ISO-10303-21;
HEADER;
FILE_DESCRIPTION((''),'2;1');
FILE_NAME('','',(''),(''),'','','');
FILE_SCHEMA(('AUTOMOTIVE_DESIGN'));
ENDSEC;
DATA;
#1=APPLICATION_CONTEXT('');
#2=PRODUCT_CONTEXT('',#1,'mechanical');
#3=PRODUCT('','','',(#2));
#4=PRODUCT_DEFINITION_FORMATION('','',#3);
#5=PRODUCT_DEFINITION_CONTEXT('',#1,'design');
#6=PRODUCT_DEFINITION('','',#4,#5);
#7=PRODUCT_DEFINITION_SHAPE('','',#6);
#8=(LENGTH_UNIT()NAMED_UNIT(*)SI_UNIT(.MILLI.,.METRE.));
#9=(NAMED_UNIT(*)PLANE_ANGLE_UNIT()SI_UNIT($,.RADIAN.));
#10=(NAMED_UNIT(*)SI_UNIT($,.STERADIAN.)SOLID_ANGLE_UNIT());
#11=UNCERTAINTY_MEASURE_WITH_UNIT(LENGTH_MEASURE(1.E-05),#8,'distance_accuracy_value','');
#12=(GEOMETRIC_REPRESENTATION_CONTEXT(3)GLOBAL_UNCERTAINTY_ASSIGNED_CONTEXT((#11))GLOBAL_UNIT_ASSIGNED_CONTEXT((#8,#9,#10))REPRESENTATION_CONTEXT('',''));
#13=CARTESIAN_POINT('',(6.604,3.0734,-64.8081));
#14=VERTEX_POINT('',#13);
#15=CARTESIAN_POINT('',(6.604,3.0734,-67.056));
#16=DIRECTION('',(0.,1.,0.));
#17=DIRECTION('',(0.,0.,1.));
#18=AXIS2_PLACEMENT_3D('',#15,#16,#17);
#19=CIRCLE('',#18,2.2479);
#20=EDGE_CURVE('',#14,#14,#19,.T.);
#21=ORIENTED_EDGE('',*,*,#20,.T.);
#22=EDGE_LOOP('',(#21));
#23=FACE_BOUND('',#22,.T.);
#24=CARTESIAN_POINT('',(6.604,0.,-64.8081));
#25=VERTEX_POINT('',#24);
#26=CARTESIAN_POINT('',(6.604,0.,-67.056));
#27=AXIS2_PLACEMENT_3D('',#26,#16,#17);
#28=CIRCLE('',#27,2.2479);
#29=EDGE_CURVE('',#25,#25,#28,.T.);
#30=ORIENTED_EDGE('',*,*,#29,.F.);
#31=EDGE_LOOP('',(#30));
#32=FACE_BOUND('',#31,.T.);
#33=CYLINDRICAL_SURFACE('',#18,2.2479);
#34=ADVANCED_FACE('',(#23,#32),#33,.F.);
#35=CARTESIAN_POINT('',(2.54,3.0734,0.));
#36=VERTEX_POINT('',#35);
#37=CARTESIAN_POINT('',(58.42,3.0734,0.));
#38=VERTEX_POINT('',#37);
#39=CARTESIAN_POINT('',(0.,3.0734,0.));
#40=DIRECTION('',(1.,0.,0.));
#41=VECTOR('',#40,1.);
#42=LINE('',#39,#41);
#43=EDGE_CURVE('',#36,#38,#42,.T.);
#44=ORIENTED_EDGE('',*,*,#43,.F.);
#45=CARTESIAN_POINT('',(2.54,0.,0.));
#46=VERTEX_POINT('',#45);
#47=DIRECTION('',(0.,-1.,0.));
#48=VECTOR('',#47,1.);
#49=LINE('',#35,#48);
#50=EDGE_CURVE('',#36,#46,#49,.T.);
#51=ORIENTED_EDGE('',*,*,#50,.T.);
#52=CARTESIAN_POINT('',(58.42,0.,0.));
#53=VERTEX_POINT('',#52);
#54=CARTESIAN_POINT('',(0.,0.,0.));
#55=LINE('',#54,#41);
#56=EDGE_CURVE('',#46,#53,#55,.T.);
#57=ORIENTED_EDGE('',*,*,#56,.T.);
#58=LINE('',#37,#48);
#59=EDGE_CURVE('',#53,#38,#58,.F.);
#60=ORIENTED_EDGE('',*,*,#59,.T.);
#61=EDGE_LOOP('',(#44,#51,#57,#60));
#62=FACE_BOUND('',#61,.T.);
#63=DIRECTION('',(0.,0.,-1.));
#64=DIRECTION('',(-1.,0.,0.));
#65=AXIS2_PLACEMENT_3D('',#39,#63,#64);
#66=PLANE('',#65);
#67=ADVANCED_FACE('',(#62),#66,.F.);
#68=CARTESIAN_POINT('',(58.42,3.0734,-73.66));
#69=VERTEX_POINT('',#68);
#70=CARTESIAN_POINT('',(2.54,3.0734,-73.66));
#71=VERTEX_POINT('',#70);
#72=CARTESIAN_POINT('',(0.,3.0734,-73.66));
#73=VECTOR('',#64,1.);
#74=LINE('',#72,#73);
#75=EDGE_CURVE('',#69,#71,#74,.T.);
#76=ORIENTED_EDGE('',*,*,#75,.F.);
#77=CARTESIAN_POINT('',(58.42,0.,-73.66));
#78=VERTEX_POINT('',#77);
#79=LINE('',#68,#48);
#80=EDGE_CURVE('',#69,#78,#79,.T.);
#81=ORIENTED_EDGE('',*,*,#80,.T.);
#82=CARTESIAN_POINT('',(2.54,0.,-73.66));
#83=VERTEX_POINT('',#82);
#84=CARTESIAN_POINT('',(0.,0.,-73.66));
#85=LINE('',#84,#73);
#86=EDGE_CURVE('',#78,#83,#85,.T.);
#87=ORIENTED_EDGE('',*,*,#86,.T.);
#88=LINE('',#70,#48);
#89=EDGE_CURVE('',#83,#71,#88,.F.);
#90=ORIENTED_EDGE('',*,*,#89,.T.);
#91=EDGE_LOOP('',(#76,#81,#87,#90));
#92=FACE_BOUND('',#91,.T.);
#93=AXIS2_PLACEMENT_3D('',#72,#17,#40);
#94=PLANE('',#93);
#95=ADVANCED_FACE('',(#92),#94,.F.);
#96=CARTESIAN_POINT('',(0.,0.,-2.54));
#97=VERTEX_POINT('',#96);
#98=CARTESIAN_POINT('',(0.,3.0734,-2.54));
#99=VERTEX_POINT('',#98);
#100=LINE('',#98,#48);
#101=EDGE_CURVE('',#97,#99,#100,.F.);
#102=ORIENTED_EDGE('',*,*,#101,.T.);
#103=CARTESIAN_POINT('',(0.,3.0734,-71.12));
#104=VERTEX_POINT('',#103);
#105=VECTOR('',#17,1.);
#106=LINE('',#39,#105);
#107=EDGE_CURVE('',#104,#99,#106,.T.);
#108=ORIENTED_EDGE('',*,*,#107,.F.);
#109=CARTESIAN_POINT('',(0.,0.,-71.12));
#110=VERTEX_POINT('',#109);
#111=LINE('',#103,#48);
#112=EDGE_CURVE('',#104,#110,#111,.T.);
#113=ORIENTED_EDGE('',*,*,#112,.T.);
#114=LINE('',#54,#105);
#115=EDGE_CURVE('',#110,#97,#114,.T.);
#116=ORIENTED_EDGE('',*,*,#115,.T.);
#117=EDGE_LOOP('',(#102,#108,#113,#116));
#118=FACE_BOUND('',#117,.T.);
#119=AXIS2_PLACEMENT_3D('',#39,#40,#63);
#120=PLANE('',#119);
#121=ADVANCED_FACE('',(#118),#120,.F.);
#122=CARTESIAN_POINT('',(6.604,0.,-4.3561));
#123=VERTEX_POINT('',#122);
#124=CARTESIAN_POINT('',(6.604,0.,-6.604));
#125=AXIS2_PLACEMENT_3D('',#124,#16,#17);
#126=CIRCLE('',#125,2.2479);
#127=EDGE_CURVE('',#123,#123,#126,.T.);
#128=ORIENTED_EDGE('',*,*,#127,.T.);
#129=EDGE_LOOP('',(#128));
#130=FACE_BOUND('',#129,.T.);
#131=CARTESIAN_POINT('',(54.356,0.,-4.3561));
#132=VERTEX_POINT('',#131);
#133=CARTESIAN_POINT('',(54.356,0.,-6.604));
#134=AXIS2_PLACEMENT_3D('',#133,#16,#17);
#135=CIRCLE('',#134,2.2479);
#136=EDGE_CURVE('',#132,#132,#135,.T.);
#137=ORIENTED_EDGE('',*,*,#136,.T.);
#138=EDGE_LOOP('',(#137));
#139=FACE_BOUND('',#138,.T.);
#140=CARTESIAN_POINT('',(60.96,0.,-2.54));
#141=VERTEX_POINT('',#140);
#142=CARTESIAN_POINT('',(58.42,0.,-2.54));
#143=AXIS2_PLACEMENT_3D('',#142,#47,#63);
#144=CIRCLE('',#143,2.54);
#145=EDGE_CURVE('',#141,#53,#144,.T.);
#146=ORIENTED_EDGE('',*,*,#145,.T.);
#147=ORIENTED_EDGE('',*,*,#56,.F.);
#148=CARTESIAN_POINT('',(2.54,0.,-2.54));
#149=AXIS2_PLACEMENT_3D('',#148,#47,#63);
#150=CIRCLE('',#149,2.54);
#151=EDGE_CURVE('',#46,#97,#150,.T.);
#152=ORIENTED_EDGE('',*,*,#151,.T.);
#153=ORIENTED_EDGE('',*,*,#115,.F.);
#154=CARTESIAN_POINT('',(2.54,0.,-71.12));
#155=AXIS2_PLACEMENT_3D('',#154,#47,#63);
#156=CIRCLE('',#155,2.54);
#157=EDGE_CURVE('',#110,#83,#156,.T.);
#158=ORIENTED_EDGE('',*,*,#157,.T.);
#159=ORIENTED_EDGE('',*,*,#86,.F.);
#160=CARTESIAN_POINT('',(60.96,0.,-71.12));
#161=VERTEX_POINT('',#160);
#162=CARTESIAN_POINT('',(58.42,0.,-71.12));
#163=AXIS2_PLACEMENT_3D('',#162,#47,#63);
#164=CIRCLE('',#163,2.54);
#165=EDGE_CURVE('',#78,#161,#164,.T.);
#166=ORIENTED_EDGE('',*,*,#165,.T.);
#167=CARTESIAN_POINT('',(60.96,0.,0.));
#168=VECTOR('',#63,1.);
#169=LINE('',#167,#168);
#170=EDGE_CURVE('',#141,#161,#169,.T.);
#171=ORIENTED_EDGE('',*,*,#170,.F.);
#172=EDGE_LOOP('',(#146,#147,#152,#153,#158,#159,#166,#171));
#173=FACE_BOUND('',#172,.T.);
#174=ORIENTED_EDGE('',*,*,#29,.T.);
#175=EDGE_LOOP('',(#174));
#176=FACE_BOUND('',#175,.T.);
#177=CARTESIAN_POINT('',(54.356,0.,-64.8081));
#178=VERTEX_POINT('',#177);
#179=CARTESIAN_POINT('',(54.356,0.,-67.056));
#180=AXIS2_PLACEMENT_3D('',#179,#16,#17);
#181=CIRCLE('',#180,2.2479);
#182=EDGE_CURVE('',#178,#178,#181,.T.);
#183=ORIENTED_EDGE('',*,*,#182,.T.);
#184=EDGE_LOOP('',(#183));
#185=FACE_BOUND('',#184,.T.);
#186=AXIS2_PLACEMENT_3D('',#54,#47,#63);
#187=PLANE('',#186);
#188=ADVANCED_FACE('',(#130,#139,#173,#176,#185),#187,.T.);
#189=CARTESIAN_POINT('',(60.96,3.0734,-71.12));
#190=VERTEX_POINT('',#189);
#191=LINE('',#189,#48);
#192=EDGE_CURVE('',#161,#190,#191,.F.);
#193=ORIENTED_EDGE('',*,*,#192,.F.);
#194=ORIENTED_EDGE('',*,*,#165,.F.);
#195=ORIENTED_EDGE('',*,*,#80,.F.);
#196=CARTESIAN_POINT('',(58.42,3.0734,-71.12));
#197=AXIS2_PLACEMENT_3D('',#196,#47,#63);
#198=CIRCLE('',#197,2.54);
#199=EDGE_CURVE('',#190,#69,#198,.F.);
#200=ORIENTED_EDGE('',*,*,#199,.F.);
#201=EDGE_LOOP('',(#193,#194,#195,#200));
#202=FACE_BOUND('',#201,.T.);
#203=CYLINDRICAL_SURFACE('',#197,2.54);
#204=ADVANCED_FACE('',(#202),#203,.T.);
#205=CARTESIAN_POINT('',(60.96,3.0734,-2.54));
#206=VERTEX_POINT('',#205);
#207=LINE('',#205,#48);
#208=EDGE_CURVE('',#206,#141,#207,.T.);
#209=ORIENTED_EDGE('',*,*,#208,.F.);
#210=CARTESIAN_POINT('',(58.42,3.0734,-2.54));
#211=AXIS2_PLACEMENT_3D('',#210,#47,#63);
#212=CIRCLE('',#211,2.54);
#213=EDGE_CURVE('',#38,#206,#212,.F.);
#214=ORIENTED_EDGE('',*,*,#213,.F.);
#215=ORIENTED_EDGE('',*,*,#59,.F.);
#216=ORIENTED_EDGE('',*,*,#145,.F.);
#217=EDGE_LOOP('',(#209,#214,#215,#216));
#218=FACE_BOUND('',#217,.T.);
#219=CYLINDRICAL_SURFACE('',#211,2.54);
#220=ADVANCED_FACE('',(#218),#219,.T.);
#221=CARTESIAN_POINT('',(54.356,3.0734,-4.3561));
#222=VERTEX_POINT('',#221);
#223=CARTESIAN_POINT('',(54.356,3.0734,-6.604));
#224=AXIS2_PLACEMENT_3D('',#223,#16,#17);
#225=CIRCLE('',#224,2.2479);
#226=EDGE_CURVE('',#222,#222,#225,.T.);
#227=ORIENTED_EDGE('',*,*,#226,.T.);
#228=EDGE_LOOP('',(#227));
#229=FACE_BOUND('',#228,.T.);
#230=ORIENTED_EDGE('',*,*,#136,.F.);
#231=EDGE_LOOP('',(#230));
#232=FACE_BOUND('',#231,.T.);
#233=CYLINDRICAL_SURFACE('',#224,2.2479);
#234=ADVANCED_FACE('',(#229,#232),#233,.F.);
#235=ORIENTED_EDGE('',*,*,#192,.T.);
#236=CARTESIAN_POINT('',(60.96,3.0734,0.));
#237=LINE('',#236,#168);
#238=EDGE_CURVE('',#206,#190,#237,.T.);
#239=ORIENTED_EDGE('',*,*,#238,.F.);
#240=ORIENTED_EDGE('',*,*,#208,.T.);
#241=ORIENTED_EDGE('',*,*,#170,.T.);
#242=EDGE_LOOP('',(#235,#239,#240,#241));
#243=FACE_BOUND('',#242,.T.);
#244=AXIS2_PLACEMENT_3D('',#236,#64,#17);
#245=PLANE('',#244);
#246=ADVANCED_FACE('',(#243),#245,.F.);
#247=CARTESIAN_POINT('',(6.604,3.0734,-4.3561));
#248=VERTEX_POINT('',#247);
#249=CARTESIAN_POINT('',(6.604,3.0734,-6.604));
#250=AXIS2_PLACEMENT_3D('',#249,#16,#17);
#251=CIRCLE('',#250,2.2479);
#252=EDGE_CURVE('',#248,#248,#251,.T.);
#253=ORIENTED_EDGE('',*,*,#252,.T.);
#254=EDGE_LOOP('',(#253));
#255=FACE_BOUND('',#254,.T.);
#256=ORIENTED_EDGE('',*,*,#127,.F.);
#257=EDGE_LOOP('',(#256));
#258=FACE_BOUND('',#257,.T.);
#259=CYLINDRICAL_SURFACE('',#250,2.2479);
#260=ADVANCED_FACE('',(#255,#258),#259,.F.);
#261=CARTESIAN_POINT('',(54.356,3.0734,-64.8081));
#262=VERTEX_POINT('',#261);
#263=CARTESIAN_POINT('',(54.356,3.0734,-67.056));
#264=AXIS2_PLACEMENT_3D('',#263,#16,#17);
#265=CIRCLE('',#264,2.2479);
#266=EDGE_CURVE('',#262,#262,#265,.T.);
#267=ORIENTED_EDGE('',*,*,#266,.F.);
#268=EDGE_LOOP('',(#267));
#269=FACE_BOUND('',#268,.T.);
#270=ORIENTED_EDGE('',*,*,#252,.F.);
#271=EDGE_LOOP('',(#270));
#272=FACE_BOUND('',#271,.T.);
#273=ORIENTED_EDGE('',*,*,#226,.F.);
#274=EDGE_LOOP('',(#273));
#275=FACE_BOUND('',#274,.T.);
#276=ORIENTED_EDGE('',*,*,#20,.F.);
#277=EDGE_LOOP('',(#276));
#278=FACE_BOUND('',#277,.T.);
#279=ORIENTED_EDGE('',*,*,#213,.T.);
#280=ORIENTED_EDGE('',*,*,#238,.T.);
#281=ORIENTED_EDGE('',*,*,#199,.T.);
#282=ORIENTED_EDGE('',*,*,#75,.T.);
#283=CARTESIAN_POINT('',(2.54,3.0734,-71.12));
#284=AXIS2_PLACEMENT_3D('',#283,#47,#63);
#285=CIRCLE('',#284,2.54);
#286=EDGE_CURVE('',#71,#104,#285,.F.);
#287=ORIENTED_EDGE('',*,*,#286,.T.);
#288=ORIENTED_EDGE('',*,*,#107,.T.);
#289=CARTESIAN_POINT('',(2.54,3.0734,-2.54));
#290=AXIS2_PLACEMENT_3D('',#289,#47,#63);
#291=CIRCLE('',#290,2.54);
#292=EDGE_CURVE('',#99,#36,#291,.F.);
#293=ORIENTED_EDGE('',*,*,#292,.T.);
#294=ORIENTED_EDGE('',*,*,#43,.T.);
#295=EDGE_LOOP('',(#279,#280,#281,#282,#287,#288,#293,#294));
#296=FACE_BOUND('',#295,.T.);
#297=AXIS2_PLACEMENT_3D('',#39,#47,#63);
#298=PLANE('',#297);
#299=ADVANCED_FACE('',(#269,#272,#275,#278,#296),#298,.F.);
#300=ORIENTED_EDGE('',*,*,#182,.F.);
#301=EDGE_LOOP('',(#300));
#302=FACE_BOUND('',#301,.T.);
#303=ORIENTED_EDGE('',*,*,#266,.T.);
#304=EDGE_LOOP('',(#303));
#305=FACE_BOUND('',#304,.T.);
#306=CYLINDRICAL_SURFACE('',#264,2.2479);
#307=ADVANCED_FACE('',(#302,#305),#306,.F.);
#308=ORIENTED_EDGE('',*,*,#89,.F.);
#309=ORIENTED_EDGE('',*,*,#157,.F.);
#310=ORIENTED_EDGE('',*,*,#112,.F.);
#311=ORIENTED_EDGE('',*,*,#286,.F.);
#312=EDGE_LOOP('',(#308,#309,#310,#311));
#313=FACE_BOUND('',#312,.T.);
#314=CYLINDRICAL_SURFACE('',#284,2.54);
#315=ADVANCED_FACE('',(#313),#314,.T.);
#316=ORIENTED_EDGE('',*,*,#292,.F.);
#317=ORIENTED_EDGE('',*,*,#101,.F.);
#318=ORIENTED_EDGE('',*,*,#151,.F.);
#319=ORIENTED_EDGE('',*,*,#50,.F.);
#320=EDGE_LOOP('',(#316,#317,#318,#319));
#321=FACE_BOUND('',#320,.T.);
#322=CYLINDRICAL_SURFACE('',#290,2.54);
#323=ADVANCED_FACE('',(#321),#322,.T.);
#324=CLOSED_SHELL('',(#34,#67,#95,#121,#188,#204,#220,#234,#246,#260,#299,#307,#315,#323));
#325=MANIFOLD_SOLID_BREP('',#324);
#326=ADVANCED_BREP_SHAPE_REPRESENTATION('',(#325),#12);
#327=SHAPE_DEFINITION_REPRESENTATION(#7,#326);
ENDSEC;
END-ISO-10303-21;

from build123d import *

# Parameters (mm, degrees)
SKETCH1_W             = 60.96
SKETCH1_H             = 73.66
BOSS_EXTRUDE1_DEPTH   = 3.0734
FILLET1_R             = 2.54
F_8_CLEARANCE_HOLE1_D = 4.4958


with BuildPart() as part:
    # Sketch1 → Boss-Extrude1 (new body)
    with BuildSketch(Plane(origin=(0, 0, 0), x_dir=(1, 0, 0), z_dir=(0, 1, 0))):
        with Locations((30.48, 36.83)):
            Rectangle(SKETCH1_W, SKETCH1_H)
    extrude(amount=BOSS_EXTRUDE1_DEPTH)

    # Fillet1
    fillet1_edges = [part.edges().sort_by_distance(p)[0] for p in [
        (0, 1.5367, -73.66),
        (60.96, 1.5367, -73.66),
        (60.96, 1.5367, 0),
        (0, 1.5367, 0),
    ]]
    fillet(fillet1_edges, radius=FILLET1_R)

    # #8 Clearance Hole1 (through all)
    with Locations(Plane(origin=(0, 3.0734, 0), x_dir=(1, 0, 0), z_dir=(0, 1, 0))):
        with Locations((54.356, 67.056), (54.356, 6.604), (6.604, 67.056), (6.604, 6.604)):
            Hole(F_8_CLEARANCE_HOLE1_D / 2)


solid = part.part
